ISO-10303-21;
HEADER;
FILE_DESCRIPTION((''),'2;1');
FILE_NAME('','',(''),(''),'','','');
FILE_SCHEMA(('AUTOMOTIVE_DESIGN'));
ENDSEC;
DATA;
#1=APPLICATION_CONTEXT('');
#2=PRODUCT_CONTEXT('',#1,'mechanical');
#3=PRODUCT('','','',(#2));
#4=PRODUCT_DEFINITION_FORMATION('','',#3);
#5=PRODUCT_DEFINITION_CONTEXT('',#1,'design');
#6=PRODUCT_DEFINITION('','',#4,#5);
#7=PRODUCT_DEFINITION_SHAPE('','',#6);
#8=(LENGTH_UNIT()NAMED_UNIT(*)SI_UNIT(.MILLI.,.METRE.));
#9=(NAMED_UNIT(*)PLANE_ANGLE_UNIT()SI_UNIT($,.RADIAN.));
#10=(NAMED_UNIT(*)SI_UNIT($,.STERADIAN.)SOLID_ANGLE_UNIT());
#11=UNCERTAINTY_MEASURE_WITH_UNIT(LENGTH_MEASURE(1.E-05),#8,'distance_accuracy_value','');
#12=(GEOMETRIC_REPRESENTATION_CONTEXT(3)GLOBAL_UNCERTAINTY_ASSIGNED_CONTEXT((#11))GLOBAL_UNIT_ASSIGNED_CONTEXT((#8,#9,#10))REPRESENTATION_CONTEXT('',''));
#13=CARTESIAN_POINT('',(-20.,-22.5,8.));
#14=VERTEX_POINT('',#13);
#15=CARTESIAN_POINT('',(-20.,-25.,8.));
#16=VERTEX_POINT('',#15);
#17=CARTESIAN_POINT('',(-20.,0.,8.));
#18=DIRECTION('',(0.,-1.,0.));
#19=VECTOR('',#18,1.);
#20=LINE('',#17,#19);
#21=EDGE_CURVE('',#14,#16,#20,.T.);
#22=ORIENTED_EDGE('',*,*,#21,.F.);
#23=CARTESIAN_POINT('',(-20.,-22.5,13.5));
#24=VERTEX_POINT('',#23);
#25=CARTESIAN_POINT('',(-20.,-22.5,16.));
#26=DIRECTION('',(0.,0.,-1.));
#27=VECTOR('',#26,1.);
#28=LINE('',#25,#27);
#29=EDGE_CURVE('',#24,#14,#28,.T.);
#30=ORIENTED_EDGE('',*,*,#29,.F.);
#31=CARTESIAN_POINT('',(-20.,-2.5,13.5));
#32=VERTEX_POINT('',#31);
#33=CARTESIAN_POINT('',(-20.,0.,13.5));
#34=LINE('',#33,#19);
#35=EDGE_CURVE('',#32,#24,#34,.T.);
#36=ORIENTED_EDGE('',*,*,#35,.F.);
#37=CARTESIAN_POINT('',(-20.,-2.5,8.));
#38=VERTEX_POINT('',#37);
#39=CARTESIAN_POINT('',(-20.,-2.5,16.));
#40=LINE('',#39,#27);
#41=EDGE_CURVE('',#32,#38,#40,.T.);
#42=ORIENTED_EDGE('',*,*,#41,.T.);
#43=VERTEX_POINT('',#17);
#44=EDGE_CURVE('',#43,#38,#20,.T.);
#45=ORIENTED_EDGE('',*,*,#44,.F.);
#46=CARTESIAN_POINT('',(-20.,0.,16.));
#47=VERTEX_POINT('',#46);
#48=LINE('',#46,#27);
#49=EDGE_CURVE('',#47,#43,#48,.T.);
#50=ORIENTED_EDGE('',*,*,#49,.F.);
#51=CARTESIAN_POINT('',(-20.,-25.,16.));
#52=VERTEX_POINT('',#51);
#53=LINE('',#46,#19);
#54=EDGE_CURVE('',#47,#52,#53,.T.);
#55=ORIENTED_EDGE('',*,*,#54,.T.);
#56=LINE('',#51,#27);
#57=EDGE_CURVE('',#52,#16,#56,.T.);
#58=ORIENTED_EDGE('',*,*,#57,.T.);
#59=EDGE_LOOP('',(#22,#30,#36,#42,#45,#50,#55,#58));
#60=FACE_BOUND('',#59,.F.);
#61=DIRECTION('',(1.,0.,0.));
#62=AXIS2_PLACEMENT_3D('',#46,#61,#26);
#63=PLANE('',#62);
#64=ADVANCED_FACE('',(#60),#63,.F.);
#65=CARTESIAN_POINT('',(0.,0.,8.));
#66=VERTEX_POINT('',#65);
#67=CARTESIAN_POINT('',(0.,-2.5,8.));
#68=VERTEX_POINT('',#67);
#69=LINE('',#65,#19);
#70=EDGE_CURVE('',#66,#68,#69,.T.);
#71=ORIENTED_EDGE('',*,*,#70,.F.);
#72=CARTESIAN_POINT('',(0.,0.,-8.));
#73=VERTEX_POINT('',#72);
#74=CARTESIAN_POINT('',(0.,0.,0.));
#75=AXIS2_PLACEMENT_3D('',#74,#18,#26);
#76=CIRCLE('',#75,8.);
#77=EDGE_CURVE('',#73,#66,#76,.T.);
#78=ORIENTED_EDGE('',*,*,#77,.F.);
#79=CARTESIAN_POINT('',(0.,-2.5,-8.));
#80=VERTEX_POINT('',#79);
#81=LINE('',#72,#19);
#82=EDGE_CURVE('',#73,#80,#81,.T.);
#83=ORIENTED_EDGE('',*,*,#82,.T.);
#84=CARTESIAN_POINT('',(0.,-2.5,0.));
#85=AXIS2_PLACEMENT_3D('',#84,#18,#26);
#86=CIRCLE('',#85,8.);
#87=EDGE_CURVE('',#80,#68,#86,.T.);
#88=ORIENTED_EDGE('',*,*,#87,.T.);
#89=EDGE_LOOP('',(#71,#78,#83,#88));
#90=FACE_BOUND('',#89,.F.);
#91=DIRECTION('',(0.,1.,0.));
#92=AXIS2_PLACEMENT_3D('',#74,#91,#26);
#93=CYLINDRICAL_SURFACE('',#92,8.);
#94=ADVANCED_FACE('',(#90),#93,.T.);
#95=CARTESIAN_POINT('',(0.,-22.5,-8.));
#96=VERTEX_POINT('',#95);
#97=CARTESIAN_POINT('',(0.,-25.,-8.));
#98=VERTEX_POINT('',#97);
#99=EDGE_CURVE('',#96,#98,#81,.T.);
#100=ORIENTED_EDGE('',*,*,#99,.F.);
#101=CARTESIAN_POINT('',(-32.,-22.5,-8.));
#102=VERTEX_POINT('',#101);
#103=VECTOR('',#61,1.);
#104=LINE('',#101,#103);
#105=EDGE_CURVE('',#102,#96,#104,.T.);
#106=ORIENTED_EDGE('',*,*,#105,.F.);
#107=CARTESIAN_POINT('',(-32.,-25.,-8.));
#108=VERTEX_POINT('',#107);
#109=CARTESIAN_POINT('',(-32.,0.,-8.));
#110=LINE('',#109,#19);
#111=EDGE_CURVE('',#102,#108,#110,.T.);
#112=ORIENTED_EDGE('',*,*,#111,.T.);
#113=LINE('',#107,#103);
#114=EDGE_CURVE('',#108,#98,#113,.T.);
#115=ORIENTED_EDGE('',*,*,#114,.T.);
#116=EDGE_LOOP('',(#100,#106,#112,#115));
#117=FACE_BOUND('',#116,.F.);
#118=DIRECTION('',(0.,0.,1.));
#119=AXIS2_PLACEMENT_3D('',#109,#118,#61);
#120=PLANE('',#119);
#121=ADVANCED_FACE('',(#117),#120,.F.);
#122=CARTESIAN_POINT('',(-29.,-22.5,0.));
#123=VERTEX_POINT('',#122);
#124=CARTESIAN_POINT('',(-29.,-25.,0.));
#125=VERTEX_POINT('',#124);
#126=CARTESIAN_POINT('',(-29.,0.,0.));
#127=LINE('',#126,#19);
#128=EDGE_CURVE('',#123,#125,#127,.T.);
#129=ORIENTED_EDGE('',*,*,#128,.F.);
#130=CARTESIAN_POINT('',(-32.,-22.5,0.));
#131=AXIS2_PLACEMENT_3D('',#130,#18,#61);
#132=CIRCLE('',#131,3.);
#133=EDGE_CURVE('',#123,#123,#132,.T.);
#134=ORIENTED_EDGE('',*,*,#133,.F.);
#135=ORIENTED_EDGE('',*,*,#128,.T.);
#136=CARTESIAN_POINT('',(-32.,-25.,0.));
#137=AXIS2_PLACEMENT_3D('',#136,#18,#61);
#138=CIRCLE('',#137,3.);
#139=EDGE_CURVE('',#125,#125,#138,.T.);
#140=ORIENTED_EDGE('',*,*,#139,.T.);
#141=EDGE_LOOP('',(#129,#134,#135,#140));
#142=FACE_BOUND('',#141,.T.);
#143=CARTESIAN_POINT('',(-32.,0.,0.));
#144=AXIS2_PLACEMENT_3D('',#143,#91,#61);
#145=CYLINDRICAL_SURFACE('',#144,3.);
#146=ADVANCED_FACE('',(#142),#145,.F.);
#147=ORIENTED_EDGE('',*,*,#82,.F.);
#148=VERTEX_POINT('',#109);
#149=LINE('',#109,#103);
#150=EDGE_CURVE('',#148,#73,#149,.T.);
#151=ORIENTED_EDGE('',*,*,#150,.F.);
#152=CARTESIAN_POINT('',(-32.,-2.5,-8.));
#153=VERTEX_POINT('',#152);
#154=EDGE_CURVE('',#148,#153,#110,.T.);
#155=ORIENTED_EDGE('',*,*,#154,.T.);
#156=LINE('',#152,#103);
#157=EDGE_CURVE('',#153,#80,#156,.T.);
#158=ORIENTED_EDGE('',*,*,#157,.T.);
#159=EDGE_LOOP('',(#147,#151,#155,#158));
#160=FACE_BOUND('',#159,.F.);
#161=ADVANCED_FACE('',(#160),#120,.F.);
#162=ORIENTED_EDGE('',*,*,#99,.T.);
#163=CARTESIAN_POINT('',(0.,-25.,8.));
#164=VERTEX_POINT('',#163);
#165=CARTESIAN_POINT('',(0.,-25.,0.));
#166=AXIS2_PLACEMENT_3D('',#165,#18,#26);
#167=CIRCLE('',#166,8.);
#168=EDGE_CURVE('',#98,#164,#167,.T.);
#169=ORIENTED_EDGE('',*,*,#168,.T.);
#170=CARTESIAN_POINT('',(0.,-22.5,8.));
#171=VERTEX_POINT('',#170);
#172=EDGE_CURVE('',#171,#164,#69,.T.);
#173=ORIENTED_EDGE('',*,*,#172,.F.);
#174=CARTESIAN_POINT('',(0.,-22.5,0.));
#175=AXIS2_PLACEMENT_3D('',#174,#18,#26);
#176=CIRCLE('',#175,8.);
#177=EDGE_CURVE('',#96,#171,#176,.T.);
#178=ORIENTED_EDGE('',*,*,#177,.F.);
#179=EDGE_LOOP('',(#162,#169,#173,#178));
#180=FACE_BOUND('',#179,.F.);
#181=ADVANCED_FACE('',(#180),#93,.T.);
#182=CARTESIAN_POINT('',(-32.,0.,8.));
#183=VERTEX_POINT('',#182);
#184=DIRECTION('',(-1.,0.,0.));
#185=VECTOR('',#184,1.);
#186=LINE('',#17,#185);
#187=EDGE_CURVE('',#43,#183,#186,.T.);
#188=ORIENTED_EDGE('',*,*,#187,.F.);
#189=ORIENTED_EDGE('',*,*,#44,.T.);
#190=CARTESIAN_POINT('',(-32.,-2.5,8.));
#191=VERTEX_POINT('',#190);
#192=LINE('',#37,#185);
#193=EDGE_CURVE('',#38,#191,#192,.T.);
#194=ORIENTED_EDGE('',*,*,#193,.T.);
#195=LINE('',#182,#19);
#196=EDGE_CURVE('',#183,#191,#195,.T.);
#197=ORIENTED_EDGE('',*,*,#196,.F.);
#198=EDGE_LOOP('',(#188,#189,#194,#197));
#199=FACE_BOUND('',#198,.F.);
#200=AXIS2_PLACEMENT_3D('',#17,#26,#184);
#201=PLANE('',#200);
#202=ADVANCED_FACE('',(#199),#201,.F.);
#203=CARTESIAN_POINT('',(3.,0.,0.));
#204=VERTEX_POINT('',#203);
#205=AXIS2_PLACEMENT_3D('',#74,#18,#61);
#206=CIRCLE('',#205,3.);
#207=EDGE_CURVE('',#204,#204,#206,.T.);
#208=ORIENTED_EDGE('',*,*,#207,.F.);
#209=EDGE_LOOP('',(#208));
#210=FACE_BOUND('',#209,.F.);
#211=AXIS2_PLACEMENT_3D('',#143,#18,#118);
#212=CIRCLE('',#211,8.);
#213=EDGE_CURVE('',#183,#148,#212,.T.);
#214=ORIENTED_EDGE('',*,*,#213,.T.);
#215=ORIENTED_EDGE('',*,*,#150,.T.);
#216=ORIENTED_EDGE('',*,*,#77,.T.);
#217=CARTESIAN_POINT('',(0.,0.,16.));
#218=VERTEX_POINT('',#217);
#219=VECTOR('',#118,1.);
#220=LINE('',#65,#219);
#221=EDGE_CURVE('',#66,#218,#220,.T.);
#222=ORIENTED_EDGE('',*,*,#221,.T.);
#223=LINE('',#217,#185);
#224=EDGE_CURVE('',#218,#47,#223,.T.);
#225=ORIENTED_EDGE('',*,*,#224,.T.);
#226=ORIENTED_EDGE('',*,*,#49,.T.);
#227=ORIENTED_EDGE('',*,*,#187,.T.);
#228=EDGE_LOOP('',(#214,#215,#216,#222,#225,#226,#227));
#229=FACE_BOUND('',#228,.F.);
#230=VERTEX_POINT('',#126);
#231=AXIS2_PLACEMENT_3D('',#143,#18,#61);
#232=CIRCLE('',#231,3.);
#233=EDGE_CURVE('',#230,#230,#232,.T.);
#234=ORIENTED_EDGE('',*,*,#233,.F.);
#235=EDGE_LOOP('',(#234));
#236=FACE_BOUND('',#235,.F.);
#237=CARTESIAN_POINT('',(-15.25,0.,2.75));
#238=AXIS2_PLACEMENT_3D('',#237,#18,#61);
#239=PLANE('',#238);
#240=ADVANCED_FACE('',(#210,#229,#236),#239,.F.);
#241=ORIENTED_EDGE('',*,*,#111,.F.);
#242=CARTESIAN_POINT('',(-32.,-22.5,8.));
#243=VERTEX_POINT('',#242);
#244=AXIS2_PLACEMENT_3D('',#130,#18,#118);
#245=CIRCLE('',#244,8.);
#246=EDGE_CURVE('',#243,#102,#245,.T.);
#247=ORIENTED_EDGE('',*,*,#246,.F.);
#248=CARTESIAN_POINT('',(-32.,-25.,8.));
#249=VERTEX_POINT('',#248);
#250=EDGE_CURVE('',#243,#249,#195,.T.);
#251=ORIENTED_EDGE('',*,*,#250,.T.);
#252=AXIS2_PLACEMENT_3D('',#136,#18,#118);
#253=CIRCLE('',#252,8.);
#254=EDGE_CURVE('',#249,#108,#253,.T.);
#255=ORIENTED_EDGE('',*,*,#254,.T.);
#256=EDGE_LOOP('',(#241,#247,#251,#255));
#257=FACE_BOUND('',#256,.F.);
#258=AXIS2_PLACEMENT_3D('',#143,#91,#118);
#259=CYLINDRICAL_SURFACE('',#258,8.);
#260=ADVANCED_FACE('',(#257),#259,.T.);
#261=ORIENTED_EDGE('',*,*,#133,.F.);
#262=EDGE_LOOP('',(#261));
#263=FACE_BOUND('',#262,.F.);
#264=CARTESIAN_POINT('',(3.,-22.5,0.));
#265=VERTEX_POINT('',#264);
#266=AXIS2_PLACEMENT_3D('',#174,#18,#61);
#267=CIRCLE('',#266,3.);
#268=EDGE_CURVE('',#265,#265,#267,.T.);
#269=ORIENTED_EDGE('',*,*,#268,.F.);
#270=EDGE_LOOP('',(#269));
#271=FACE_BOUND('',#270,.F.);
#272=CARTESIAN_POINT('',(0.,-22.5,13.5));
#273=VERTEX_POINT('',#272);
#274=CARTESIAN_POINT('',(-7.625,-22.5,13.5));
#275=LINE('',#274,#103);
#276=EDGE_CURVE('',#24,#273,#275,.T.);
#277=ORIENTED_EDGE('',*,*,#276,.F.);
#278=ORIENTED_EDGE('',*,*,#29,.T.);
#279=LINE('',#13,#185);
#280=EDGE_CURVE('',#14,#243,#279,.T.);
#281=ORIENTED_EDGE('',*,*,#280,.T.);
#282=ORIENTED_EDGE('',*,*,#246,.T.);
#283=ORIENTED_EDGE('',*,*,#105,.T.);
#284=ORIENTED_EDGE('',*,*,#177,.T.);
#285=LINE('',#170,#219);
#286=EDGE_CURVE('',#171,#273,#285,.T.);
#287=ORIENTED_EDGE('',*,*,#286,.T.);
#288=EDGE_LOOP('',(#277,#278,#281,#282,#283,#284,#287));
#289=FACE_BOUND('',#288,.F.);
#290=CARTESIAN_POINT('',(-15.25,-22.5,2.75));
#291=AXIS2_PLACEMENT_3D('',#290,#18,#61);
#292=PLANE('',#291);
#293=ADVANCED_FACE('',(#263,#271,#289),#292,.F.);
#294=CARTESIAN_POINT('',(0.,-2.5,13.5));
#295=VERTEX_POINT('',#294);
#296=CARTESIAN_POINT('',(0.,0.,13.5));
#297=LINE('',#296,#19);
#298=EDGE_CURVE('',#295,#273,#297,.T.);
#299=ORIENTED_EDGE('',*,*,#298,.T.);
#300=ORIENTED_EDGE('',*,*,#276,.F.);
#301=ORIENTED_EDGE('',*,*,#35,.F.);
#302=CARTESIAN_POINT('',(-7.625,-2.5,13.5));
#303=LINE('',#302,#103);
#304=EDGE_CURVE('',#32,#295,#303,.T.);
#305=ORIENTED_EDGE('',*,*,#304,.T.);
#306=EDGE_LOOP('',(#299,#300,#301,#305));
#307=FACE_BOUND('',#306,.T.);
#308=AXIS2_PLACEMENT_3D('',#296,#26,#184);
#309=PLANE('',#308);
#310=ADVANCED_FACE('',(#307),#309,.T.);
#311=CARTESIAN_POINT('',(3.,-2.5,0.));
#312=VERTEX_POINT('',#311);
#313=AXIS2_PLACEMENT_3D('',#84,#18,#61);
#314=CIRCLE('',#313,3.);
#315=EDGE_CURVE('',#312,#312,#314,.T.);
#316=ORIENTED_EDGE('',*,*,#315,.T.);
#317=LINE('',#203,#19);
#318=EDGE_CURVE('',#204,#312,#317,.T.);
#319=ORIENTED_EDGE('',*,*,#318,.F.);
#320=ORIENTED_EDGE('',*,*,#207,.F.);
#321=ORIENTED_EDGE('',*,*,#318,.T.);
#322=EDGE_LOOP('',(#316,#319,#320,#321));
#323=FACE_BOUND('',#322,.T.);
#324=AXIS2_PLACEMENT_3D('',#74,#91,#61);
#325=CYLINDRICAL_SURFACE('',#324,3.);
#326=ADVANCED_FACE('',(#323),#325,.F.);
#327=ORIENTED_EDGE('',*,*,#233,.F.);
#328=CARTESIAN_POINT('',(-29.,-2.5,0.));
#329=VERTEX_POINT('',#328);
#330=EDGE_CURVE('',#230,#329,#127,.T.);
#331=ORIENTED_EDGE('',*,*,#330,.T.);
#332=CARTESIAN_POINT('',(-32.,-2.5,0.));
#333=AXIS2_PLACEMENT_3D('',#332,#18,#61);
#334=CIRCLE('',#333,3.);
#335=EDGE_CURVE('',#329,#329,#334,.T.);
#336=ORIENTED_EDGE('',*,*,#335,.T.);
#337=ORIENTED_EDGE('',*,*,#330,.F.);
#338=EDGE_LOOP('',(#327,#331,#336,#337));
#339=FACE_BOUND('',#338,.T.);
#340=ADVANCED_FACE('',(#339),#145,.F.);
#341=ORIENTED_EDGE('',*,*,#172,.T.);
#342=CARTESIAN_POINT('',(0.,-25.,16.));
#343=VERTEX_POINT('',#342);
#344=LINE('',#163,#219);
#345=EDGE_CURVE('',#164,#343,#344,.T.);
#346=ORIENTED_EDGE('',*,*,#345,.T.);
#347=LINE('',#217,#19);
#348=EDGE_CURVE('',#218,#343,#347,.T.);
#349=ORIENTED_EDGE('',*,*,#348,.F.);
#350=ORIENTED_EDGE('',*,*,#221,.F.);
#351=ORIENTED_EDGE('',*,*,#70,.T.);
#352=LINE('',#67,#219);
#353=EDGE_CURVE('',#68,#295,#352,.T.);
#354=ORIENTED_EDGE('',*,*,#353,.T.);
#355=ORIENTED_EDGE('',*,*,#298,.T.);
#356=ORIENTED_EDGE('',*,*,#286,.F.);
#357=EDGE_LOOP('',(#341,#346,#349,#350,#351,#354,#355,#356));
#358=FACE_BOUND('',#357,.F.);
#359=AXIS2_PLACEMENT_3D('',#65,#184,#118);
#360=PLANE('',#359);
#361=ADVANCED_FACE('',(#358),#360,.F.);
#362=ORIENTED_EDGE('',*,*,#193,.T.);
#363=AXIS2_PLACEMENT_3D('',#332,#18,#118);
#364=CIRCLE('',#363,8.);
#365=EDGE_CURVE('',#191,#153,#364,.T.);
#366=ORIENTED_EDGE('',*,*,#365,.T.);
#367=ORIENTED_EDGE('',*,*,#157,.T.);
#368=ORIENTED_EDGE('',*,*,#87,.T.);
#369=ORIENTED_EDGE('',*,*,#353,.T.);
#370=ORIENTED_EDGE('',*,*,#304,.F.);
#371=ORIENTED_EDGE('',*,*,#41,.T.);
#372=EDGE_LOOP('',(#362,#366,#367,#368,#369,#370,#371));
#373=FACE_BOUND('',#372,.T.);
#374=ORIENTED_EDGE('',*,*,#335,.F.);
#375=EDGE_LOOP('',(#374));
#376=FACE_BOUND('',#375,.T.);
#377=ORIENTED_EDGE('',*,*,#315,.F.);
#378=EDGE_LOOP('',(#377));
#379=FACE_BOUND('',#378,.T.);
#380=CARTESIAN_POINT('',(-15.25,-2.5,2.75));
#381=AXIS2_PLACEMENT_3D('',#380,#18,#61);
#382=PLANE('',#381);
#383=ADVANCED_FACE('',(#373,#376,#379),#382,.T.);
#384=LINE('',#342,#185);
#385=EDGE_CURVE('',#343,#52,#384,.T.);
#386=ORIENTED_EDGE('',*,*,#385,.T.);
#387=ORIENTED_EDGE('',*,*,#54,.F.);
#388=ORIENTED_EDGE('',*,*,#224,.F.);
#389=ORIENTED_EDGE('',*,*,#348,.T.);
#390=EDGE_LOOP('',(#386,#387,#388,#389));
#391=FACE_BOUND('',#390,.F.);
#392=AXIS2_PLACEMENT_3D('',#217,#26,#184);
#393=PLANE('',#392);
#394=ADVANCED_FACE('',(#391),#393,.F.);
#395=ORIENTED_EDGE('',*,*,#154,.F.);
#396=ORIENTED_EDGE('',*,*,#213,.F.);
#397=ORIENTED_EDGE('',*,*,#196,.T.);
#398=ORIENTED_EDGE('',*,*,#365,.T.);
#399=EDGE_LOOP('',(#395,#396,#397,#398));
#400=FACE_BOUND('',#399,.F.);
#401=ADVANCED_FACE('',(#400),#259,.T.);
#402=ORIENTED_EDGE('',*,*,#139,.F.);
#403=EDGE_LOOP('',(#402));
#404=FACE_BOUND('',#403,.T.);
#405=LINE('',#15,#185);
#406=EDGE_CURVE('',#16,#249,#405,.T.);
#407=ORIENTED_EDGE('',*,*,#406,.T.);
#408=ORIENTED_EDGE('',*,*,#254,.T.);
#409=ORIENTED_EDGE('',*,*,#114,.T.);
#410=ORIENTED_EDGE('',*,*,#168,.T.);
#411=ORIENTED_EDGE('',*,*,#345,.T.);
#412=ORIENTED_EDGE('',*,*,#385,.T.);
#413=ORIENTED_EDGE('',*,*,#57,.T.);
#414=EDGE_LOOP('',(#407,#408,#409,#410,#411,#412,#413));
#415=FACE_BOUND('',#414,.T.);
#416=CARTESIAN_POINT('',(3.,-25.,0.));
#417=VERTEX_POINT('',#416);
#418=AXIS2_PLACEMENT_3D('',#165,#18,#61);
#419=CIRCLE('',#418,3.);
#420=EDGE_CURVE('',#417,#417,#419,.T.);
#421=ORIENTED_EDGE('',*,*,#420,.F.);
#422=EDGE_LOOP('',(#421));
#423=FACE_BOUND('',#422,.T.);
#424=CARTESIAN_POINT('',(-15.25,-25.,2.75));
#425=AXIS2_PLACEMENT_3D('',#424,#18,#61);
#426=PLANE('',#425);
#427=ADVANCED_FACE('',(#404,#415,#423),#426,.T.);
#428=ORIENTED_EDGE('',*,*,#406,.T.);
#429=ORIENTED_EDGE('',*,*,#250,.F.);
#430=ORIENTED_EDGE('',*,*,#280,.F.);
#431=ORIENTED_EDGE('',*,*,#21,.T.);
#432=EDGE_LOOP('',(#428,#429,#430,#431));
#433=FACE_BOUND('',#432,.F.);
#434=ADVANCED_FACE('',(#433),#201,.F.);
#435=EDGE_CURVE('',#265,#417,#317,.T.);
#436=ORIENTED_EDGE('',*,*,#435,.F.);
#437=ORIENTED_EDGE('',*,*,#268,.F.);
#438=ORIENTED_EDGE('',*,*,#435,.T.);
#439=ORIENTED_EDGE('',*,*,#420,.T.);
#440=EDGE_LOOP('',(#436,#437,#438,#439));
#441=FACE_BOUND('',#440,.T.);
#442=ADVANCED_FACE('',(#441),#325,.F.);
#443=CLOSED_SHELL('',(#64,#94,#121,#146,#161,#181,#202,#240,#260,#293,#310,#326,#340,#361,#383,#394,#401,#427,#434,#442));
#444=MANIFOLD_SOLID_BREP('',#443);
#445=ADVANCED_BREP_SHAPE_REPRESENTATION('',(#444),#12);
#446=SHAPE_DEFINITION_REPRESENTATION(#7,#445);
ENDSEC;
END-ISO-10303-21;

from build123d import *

# Parameters (mm, degrees)
F0_R     = 3
F1_DEPTH = 25
F2_T     = -2.5


with BuildPart() as f1:
    # F0 (on Front) → F1 (new body)
    with BuildSketch(Plane.XZ):
        with BuildLine():
            Line((0, 16), (-20, 16))
            Line((-20, 16), (-20, 8))
            Line((-20, 8), (-32, 8))
            ThreePointArc((-32, 8), (-40, 0), (-32, -8))
            Line((-32, -8), (0, -8))
            ThreePointArc((0, -8), (8, 0), (0, 8))
            Line((0, 8), (0, 16))
        make_face()
        with Locations((-32, 0)):
            Circle(F0_R, mode=Mode.SUBTRACT)
        Circle(F0_R, mode=Mode.SUBTRACT)
    extrude(amount=F1_DEPTH)

    # F2
    f2_openings = [f1.faces().sort_by_distance(p)[0] for p in [
        (-35, -12.5, 0),
        (-3, -12.5, 0),
        (-16, -12.5, -8),
        (-40, -12.5, 0),
        (8, -12.5, 0),
        (-26, -12.5, 8),
        (0, -12.5, 12),
        (-20, -12.5, 12),
    ]]
    offset(amount=F2_T, openings=f2_openings)


solid = f1.part
